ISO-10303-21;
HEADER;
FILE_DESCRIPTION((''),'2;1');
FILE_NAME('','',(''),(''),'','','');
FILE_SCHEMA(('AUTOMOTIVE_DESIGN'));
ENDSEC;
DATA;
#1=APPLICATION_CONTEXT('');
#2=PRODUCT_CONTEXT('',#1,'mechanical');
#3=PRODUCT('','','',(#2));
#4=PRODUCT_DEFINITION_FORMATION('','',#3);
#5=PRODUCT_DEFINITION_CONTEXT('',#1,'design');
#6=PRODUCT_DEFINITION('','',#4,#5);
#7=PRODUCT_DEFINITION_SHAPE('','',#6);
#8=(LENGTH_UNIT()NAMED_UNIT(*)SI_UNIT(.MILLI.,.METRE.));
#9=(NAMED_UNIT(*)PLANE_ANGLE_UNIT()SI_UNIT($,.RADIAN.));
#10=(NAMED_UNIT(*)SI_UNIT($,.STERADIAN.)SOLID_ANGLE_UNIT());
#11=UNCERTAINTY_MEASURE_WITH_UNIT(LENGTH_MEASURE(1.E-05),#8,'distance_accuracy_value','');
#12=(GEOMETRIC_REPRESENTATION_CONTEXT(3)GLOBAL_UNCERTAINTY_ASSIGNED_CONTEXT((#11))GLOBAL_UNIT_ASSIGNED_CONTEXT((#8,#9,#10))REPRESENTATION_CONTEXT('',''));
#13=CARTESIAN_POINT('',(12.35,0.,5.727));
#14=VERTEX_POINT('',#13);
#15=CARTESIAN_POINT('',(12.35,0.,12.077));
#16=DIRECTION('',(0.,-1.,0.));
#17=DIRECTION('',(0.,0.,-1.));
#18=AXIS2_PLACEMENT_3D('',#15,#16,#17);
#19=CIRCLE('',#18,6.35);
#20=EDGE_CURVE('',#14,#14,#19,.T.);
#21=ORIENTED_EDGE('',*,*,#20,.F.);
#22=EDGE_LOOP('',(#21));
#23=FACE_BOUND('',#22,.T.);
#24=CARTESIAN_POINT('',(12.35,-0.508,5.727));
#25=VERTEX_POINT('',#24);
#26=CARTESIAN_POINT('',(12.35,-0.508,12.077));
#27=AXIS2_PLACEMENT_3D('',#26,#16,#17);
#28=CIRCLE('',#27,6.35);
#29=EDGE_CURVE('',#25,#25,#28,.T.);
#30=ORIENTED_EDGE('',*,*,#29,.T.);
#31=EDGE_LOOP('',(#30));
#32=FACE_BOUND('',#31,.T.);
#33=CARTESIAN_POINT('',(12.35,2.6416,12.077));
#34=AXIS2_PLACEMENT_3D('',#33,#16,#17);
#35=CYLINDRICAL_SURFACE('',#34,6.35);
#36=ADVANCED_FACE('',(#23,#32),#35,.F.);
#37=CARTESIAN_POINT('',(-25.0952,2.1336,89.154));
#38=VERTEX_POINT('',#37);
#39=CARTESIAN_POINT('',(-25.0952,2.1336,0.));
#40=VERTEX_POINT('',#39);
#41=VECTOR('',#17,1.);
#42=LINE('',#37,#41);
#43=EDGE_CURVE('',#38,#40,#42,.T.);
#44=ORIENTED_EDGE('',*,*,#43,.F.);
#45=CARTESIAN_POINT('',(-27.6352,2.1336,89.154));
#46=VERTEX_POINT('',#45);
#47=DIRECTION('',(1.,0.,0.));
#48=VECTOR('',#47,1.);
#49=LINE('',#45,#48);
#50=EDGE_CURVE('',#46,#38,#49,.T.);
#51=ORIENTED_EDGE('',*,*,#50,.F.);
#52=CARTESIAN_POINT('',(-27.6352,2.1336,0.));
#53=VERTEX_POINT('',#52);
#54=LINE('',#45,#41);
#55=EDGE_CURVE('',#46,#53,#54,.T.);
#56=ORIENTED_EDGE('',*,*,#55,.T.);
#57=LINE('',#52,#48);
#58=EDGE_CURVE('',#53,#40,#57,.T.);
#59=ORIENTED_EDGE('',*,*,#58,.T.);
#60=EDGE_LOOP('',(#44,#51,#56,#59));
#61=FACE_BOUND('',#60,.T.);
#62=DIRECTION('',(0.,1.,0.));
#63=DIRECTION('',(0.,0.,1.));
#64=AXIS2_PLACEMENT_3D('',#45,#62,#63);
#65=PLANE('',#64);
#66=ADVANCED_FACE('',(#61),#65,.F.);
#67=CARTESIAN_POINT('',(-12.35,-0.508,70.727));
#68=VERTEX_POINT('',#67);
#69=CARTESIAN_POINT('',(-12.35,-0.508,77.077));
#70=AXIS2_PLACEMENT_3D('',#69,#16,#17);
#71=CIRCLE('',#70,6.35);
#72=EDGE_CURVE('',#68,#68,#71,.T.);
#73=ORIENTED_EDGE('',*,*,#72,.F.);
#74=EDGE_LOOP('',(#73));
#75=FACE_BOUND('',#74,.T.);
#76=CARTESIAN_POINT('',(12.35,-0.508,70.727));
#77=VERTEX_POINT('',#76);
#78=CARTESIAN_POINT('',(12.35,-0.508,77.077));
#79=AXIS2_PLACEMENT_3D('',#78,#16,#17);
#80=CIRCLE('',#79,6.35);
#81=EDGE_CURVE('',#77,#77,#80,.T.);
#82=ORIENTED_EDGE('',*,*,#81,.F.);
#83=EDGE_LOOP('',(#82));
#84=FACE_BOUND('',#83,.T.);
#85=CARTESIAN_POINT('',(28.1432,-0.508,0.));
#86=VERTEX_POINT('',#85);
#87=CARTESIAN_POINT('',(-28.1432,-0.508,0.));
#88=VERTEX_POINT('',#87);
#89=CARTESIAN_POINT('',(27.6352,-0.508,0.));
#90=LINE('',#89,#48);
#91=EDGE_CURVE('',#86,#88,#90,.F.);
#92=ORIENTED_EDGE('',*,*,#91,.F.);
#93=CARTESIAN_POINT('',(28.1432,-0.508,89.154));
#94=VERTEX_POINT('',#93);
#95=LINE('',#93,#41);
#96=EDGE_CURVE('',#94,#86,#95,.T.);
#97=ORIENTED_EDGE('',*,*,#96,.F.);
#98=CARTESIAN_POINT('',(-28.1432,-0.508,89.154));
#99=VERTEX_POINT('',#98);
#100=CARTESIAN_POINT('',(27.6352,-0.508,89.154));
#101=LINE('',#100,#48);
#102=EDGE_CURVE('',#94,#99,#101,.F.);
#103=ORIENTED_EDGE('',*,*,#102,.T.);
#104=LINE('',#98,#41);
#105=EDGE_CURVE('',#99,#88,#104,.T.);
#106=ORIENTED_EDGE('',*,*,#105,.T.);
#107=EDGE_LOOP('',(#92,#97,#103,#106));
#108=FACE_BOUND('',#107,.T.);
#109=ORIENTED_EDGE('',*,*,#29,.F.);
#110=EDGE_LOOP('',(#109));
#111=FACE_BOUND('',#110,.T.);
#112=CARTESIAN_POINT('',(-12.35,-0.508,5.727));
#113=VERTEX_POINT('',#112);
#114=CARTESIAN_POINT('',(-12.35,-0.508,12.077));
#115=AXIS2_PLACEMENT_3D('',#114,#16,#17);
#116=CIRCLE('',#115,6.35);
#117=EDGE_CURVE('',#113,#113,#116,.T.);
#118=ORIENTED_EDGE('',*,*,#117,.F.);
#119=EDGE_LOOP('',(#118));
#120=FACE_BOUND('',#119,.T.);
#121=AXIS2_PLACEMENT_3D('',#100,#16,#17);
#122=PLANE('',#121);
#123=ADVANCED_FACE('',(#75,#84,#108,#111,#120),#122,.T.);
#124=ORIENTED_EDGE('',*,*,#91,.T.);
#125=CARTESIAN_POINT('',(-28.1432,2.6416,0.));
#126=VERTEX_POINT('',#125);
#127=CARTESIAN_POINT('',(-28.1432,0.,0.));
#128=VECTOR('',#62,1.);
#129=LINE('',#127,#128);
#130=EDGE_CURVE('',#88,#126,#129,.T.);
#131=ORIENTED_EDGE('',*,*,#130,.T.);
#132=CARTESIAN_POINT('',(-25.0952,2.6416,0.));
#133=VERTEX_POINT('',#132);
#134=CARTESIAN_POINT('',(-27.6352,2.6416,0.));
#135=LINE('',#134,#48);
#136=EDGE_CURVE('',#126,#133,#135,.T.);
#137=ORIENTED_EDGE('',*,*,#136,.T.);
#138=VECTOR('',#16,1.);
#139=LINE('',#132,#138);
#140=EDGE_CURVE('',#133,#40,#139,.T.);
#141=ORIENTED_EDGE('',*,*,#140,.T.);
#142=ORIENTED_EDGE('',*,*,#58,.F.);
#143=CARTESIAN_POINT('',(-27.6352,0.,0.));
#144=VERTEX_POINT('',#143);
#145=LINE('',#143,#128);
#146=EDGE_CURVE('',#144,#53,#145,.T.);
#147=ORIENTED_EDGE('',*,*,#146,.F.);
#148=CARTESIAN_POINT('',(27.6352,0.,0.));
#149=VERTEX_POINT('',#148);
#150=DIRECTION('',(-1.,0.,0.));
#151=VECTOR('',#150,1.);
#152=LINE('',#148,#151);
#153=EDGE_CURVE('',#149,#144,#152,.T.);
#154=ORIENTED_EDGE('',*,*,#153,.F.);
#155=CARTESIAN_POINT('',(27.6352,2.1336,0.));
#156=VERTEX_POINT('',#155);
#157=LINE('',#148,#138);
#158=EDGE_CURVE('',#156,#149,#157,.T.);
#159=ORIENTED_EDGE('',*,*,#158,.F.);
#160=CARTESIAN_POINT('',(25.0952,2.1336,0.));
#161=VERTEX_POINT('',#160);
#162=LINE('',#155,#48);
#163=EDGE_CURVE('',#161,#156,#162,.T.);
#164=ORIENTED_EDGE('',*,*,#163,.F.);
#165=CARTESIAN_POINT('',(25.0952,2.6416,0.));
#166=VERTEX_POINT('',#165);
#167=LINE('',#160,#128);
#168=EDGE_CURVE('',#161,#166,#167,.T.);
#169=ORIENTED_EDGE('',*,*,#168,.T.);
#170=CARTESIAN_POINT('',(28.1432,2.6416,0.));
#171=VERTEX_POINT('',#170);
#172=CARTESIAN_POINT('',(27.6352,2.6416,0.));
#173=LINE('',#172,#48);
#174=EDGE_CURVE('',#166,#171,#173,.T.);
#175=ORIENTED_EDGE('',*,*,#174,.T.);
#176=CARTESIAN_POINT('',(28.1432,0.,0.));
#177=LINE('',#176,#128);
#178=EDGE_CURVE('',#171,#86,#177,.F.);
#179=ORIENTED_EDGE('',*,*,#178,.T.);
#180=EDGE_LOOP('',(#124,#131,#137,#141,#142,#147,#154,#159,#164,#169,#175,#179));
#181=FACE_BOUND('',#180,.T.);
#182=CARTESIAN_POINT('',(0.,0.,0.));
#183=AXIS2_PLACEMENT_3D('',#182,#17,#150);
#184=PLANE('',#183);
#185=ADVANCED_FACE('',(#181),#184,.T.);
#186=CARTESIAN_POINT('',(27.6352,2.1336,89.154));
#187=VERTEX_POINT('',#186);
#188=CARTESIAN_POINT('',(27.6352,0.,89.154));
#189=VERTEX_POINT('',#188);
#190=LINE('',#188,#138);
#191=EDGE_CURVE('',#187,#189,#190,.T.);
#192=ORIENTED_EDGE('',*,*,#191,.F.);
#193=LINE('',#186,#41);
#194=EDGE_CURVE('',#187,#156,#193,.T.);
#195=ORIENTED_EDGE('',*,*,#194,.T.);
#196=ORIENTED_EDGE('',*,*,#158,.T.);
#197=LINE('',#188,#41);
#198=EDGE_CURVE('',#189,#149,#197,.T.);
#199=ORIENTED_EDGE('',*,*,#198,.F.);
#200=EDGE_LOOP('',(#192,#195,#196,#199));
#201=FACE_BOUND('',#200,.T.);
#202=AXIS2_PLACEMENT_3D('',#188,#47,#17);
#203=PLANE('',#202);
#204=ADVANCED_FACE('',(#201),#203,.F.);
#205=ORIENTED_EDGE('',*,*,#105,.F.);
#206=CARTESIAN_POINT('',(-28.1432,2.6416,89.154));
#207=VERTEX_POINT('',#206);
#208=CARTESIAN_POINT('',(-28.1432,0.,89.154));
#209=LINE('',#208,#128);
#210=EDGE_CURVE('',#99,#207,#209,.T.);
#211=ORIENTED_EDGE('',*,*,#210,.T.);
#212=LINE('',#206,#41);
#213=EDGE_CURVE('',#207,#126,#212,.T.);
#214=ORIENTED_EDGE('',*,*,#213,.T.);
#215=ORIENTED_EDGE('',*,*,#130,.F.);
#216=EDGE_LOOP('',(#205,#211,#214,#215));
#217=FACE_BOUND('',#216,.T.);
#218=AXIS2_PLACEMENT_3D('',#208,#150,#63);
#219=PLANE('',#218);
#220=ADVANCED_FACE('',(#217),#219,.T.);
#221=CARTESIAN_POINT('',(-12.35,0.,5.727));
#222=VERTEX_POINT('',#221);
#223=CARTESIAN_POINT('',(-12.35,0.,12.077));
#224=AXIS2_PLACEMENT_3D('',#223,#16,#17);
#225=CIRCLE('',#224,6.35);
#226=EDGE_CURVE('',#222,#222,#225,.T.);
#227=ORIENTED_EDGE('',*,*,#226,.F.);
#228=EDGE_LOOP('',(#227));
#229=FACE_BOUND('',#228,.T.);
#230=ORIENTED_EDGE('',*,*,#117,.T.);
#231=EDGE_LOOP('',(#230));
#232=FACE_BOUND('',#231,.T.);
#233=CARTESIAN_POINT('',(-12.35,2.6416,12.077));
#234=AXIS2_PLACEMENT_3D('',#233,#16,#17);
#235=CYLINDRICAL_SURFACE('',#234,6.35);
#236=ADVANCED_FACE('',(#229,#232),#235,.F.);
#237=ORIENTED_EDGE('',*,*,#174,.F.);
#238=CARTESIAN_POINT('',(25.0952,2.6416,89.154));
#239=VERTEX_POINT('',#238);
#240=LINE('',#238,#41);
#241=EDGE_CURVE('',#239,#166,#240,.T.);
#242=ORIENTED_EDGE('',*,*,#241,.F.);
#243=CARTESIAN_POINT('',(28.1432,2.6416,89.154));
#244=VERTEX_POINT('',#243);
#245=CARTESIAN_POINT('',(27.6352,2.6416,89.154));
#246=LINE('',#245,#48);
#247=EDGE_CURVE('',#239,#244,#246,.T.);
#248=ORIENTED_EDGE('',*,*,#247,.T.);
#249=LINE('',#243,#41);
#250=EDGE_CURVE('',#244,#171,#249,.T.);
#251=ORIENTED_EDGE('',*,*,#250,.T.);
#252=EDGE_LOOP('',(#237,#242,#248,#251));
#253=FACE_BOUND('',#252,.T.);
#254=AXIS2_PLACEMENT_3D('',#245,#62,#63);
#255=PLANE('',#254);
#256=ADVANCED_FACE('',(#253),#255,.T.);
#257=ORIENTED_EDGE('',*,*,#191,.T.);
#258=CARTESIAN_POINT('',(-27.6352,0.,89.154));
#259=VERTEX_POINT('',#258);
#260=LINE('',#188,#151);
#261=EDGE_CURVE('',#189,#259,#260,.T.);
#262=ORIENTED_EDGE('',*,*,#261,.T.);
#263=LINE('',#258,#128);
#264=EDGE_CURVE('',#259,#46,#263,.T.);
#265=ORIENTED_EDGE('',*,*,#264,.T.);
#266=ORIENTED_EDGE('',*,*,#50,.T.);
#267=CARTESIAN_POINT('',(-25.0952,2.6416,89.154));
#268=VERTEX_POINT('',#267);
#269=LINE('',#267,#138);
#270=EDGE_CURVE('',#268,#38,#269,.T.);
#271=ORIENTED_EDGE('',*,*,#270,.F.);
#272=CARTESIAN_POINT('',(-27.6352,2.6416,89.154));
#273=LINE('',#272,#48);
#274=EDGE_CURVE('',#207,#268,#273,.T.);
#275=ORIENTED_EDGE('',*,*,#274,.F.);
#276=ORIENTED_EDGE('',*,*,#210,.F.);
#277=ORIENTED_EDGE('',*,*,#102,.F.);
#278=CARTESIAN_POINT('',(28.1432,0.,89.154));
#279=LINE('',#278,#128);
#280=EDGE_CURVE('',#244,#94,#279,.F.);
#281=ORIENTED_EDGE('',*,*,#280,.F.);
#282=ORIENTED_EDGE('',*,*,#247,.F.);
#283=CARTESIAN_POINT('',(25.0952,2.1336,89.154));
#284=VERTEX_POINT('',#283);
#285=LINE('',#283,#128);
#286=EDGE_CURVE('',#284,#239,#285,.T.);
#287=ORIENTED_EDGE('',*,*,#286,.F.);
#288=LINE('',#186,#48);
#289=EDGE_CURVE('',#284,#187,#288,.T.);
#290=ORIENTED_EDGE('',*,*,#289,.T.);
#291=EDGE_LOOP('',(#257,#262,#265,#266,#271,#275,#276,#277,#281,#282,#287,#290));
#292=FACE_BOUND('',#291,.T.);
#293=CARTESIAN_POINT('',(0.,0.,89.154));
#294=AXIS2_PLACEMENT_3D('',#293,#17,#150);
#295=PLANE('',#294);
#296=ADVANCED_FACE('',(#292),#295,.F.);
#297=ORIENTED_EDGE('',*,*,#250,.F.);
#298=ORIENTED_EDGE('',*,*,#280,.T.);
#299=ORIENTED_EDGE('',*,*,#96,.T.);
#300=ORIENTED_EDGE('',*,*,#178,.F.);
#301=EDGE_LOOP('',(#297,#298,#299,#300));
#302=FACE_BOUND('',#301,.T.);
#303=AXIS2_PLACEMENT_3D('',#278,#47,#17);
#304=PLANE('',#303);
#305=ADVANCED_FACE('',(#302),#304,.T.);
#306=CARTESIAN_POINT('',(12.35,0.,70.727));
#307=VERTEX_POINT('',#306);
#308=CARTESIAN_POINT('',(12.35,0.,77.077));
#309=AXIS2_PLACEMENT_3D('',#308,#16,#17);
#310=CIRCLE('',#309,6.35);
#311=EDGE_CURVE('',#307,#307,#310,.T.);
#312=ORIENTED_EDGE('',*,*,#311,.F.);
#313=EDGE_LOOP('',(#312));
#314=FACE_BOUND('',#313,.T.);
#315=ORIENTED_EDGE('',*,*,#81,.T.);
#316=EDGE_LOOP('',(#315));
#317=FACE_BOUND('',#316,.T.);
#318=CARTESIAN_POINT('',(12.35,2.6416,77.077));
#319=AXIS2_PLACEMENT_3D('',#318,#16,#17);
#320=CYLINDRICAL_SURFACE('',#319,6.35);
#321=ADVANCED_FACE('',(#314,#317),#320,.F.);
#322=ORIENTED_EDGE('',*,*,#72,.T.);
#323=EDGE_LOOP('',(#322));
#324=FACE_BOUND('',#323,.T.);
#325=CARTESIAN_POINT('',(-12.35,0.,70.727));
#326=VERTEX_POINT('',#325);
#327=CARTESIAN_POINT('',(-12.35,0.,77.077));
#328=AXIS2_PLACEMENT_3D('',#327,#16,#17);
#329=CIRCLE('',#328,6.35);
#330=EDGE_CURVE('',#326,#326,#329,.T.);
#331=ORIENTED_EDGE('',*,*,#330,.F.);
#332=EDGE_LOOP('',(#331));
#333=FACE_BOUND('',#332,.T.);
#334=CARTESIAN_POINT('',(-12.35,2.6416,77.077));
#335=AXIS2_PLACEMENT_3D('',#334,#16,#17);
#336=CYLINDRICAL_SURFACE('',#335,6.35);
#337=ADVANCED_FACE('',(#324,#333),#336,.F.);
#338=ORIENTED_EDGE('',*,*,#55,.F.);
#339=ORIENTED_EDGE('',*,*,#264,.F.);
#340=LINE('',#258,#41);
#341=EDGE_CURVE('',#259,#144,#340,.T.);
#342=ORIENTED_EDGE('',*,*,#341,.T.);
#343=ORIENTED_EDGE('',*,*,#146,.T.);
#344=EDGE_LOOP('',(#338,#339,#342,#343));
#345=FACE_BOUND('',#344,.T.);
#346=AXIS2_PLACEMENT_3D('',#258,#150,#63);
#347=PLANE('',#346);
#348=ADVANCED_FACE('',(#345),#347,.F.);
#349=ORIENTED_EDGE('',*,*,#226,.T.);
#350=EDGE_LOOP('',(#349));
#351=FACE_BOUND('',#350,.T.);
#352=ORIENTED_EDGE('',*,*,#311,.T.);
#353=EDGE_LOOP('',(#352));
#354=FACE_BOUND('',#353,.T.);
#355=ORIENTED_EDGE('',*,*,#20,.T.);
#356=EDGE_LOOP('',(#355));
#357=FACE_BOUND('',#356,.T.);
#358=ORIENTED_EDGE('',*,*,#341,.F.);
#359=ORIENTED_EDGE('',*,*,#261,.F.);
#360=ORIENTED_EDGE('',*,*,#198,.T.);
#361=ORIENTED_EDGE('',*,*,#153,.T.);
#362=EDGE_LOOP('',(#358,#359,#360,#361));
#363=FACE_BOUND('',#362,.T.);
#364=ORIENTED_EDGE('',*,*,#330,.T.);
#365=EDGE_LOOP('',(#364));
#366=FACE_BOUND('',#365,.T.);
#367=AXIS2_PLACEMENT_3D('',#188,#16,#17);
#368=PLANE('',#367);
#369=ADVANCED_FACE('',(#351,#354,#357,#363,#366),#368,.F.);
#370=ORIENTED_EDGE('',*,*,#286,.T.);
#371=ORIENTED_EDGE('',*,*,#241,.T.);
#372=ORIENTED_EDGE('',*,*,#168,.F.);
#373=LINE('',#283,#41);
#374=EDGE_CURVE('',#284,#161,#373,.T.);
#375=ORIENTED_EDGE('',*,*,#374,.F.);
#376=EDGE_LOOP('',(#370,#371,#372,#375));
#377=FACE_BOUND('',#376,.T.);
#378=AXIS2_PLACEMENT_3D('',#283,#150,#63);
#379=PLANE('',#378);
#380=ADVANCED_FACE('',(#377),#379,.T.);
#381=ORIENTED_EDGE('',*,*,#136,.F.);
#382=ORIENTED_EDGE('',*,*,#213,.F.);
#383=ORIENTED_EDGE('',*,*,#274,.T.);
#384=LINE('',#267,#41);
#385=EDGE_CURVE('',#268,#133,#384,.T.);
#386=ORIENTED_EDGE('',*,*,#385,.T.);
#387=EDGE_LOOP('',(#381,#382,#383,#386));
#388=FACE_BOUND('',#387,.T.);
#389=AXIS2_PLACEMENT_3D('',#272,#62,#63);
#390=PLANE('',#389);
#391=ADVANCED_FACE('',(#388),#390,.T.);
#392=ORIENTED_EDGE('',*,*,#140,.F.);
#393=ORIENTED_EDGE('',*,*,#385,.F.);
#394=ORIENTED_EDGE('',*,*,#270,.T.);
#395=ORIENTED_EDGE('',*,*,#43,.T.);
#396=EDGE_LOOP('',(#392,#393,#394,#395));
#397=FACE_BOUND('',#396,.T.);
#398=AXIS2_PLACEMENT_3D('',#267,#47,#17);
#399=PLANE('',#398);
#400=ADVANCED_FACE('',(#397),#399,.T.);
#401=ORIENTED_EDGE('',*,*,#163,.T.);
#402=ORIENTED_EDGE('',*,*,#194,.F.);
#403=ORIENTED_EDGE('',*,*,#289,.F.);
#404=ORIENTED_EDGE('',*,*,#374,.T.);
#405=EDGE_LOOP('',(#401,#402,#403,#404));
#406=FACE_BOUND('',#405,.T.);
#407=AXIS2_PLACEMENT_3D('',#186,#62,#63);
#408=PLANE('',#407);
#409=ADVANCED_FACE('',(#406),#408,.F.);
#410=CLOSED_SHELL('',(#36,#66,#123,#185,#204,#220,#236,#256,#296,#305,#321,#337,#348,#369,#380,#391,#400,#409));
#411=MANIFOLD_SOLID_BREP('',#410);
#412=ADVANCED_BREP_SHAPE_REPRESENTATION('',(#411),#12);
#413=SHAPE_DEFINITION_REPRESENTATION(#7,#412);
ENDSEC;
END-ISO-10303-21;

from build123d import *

# Parameters (mm, degrees)
EXTRUDE_THIN3_DEPTH     = 89.154
CUT_EXTRUDE1_DEPTH      = 94.54354816
CUT_EXTRUDE1_DEPTH_BACK = 94.54354816
SKETCH8_R               = 6.35


with BuildPart() as part:
    # Sketch6 → Extrude-Thin3 (new body)
    with BuildSketch(Plane.XY):
        Polygon((25.0952, 2.1336), (27.6352, 2.1336), (27.6352, 0), (-27.6352, 0), (-27.6352, 2.1336), (-25.0952, 2.1336), (-25.0952, 2.6416), (-28.1432, 2.6416), (-28.1432, -0.508), (28.1432, -0.508), (28.1432, 2.6416), (25.0952, 2.6416), align=None)
    extrude(amount=EXTRUDE_THIN3_DEPTH)

    # Sketch8 → Cut-Extrude1 (cut, two sides: drawn at the far end of the back side and taken through both)
    with BuildSketch(Plane.XZ.offset(0.508).offset(-CUT_EXTRUDE1_DEPTH_BACK)):
        with Locations(Location((12.35, 77.077, 0), (0, 0, 270))):
            Circle(SKETCH8_R)
        with Locations(Location((-12.35, 77.077, 0), (0, 0, 270))):
            Circle(SKETCH8_R)
        with Locations(Location((-12.35, 12.077, 0), (0, 0, 270))):
            Circle(SKETCH8_R)
        with Locations(Location((12.35, 12.077, 0), (0, 0, 270))):
            Circle(SKETCH8_R)
    extrude(amount=CUT_EXTRUDE1_DEPTH + CUT_EXTRUDE1_DEPTH_BACK, mode=Mode.SUBTRACT)


solid = part.part
